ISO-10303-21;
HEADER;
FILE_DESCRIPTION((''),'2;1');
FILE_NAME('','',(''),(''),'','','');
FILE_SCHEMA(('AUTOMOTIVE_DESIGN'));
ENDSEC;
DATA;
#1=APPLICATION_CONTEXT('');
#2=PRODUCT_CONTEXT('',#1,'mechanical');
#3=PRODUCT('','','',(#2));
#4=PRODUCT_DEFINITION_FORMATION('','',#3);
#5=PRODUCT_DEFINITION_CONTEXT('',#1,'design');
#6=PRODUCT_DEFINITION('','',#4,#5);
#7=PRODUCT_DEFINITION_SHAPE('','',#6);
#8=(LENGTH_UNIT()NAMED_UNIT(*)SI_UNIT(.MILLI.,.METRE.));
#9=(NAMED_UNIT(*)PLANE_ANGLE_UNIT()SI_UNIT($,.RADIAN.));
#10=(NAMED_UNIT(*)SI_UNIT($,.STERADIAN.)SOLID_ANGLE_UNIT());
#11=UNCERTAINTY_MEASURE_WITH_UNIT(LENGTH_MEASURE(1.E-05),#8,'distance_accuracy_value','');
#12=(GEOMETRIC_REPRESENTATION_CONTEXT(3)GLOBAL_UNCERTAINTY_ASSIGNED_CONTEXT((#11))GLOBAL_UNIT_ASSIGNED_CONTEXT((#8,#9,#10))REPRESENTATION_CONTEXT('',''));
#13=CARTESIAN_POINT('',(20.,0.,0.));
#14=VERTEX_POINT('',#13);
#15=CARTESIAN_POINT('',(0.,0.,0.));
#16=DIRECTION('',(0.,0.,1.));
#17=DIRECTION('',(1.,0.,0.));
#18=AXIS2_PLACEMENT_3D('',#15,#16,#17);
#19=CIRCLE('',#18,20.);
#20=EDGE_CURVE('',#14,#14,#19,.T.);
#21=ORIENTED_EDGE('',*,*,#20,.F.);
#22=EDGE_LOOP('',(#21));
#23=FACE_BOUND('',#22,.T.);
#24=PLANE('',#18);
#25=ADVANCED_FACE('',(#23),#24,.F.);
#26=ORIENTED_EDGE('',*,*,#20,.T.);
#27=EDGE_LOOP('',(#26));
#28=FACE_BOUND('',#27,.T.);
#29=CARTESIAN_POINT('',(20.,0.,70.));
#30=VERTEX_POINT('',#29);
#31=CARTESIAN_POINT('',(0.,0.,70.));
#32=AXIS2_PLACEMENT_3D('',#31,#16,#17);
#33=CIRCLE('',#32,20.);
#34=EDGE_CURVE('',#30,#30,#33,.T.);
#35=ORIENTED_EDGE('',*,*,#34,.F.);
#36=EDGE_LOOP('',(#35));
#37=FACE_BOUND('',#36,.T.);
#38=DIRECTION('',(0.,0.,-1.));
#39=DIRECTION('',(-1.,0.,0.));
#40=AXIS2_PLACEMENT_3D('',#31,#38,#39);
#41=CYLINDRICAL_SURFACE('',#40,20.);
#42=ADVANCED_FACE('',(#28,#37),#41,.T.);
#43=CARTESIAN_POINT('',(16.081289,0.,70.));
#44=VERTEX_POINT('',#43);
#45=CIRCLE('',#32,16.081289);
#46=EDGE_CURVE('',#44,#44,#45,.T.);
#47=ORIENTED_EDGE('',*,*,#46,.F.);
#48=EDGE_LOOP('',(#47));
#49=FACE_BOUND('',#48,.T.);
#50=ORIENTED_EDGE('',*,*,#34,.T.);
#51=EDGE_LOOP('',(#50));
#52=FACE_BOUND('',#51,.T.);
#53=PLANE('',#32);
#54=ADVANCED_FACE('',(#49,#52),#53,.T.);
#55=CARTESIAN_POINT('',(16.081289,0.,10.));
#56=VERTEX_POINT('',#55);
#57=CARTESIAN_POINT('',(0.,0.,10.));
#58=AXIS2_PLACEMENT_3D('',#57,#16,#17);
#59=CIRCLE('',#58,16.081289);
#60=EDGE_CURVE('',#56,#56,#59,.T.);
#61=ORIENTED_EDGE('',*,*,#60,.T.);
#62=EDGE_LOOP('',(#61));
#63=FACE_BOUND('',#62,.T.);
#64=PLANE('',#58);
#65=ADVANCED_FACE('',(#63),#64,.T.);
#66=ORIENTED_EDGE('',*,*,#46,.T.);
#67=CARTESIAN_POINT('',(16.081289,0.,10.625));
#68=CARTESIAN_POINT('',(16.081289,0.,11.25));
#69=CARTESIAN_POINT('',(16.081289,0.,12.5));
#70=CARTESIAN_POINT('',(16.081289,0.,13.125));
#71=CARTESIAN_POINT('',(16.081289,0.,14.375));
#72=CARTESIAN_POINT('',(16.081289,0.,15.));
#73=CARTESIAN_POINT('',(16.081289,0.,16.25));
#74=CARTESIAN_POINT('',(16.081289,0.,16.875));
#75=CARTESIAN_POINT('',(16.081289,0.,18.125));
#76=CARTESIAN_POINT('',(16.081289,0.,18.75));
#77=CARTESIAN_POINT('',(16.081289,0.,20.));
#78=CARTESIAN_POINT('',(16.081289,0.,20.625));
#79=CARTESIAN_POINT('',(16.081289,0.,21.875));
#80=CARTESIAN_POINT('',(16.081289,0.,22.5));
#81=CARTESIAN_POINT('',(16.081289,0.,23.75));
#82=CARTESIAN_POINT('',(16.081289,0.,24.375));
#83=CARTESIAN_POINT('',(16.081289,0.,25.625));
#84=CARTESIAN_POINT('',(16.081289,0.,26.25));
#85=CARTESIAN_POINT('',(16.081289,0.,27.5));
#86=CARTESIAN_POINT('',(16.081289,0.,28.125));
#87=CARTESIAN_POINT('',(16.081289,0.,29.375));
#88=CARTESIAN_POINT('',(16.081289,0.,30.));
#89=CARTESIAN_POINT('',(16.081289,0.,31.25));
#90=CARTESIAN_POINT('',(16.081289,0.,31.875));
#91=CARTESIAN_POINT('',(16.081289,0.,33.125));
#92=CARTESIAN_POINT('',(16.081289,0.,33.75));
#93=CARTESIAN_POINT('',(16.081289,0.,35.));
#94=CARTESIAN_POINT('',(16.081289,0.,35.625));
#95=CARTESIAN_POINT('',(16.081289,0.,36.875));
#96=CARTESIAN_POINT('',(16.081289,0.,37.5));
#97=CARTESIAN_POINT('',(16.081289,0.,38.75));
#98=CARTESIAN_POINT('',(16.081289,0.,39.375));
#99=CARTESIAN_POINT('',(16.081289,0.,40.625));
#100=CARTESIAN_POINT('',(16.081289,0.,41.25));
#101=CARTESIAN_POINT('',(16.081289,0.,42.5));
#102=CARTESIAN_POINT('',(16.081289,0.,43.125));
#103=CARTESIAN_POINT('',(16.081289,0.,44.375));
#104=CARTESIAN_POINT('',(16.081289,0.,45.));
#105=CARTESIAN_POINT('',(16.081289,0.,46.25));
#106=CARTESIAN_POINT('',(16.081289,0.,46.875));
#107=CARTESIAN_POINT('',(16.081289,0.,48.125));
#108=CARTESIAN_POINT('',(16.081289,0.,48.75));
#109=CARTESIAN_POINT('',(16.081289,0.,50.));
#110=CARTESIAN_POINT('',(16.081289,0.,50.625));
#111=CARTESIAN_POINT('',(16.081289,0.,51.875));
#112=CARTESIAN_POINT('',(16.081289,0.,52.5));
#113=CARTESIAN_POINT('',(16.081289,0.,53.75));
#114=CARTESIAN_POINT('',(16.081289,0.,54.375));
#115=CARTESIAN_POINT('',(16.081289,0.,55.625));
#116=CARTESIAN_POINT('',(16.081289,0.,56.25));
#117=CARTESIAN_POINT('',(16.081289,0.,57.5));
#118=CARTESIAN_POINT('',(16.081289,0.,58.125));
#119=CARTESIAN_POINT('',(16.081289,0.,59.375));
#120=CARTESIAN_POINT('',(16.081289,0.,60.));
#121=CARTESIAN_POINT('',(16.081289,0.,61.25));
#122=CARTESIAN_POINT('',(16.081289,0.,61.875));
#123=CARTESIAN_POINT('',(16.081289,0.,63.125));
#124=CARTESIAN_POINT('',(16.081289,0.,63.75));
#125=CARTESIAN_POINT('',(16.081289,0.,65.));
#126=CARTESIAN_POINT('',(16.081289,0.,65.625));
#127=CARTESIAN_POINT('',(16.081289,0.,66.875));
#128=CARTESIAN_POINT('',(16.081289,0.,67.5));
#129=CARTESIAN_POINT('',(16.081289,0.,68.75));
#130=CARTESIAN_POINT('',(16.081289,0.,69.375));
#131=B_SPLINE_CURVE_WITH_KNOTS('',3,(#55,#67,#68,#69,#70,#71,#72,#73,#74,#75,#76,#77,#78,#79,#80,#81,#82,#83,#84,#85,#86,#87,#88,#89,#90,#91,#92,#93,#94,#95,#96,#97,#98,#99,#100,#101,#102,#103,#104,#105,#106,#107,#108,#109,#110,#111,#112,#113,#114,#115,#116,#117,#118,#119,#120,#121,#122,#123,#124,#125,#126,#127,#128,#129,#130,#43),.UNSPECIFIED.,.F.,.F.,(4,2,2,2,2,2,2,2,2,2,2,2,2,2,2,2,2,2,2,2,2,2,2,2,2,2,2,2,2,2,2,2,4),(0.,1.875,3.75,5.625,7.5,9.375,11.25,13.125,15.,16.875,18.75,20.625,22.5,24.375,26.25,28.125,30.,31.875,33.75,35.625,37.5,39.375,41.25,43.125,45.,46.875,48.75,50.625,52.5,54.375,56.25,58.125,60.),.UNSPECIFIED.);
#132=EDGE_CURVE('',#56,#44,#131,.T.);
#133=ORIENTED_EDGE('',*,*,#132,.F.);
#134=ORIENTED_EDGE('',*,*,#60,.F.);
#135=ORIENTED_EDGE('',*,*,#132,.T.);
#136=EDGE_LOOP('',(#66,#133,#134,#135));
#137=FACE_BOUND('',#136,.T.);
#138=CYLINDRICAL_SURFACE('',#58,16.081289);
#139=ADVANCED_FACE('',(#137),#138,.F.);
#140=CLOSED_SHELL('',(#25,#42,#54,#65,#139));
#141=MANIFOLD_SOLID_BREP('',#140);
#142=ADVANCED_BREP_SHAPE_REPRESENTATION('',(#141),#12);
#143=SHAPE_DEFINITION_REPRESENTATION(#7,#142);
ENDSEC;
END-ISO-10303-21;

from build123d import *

# Parameters (mm, degrees)
SKETCH1_R           = 20
BOSS_EXTRUDE1_DEPTH = 70
SKETCH2_R           = 16.081289486
CUT_EXTRUDE1_DEPTH  = 60


with BuildPart() as part:
    # Sketch1 → Boss-Extrude1 (new body)
    with BuildSketch(Plane.XY):
        Circle(SKETCH1_R)
    extrude(amount=BOSS_EXTRUDE1_DEPTH)

    # Sketch2 → Cut-Extrude1 (cut)
    with BuildSketch(Plane.XY.offset(70)):
        Circle(SKETCH2_R)
    extrude(amount=-CUT_EXTRUDE1_DEPTH, mode=Mode.SUBTRACT)


solid = part.part
